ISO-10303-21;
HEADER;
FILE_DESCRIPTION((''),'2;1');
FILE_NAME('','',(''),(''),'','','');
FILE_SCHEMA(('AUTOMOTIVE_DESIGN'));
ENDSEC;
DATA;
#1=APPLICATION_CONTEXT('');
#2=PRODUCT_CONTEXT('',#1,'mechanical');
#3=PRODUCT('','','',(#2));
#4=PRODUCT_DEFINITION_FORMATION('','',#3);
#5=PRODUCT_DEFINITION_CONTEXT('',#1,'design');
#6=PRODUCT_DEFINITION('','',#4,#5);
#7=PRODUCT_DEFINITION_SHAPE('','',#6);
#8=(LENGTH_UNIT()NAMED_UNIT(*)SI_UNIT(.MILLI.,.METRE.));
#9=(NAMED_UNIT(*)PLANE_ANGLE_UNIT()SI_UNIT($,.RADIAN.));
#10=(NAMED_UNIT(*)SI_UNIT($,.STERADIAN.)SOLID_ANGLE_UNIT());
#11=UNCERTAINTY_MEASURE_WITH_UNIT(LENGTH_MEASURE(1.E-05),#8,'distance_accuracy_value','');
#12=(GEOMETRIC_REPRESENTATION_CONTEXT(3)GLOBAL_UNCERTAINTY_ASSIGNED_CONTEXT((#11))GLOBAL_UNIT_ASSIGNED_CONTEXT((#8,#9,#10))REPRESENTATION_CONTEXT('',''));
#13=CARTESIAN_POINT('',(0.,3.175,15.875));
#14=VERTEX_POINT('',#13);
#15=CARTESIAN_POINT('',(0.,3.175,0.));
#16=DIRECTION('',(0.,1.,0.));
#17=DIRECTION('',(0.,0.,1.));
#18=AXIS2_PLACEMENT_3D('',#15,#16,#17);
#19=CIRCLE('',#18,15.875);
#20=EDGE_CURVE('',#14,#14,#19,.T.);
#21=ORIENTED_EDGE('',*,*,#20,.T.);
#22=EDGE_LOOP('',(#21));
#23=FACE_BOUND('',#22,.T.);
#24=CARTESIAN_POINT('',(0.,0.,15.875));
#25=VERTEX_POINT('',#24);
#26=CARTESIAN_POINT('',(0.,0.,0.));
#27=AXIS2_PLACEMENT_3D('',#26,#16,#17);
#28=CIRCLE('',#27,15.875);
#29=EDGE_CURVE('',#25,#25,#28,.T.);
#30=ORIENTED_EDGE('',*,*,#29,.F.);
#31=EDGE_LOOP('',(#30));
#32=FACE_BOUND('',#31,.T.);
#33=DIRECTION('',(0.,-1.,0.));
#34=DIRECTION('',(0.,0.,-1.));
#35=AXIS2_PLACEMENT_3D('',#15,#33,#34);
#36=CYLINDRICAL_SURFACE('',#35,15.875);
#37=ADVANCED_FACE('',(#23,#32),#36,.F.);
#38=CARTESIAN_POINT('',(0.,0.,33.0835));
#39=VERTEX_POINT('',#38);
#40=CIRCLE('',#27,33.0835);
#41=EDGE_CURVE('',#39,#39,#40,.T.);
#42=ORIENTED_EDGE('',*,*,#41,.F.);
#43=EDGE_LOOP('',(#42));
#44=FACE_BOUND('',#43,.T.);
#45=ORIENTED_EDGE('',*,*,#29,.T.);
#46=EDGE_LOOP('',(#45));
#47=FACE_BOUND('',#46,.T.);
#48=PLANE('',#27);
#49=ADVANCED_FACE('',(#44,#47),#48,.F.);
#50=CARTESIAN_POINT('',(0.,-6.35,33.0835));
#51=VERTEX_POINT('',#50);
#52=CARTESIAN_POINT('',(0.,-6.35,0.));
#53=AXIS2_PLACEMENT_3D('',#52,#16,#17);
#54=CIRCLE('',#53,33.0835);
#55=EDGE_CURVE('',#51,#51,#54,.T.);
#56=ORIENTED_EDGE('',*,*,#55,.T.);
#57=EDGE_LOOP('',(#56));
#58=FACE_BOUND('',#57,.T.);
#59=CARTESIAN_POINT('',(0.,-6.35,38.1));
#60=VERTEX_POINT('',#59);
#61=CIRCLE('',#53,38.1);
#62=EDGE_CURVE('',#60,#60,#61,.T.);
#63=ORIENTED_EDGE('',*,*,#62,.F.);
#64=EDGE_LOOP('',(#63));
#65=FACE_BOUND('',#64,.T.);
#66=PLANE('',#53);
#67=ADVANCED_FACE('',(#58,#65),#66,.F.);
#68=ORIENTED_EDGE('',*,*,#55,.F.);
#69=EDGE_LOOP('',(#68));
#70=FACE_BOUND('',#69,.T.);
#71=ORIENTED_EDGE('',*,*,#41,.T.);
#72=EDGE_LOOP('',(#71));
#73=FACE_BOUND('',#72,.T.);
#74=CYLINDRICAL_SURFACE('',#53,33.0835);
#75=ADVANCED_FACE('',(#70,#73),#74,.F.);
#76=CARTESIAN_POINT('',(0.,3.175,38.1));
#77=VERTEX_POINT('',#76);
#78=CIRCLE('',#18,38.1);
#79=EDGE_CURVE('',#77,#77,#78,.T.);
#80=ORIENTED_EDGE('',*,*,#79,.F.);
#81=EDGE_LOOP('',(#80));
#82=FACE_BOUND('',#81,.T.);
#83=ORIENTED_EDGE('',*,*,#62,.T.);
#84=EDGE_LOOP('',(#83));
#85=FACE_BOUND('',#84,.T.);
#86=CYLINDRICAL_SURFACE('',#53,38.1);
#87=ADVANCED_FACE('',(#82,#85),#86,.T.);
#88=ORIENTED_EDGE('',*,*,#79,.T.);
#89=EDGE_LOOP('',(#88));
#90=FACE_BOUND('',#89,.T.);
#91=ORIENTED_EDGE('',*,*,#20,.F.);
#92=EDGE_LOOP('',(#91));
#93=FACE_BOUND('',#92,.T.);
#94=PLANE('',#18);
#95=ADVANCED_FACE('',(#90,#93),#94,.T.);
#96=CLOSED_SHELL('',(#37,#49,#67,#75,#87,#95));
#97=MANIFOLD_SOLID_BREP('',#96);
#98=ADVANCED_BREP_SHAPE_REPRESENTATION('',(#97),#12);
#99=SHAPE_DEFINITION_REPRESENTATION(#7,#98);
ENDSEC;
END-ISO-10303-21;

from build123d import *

# Parameters (mm, degrees)
SKETCH1_R           = 38.1
SKETCH1_R_2         = 33.0835
BOSS_EXTRUDE1_DEPTH = 6.35
SKETCH2_R           = 38.1
SKETCH2_R_2         = 15.875
BOSS_EXTRUDE2_DEPTH = 3.175


with BuildPart() as part:
    # Sketch1 → Boss-Extrude1 (new body)
    with BuildSketch(Plane(origin=(0, 0, 0), x_dir=(1, 0, 0), z_dir=(0, 1, 0))):
        Circle(SKETCH1_R)
        Circle(SKETCH1_R_2, mode=Mode.SUBTRACT)
    extrude(amount=-BOSS_EXTRUDE1_DEPTH)

    # Sketch2 → Boss-Extrude2 (add)
    with BuildSketch(Plane(origin=(0, 0, 0), x_dir=(1, 0, 0), z_dir=(0, 1, 0))):
        Circle(SKETCH2_R)
        Circle(SKETCH2_R_2, mode=Mode.SUBTRACT)
    extrude(amount=BOSS_EXTRUDE2_DEPTH)


solid = part.part
